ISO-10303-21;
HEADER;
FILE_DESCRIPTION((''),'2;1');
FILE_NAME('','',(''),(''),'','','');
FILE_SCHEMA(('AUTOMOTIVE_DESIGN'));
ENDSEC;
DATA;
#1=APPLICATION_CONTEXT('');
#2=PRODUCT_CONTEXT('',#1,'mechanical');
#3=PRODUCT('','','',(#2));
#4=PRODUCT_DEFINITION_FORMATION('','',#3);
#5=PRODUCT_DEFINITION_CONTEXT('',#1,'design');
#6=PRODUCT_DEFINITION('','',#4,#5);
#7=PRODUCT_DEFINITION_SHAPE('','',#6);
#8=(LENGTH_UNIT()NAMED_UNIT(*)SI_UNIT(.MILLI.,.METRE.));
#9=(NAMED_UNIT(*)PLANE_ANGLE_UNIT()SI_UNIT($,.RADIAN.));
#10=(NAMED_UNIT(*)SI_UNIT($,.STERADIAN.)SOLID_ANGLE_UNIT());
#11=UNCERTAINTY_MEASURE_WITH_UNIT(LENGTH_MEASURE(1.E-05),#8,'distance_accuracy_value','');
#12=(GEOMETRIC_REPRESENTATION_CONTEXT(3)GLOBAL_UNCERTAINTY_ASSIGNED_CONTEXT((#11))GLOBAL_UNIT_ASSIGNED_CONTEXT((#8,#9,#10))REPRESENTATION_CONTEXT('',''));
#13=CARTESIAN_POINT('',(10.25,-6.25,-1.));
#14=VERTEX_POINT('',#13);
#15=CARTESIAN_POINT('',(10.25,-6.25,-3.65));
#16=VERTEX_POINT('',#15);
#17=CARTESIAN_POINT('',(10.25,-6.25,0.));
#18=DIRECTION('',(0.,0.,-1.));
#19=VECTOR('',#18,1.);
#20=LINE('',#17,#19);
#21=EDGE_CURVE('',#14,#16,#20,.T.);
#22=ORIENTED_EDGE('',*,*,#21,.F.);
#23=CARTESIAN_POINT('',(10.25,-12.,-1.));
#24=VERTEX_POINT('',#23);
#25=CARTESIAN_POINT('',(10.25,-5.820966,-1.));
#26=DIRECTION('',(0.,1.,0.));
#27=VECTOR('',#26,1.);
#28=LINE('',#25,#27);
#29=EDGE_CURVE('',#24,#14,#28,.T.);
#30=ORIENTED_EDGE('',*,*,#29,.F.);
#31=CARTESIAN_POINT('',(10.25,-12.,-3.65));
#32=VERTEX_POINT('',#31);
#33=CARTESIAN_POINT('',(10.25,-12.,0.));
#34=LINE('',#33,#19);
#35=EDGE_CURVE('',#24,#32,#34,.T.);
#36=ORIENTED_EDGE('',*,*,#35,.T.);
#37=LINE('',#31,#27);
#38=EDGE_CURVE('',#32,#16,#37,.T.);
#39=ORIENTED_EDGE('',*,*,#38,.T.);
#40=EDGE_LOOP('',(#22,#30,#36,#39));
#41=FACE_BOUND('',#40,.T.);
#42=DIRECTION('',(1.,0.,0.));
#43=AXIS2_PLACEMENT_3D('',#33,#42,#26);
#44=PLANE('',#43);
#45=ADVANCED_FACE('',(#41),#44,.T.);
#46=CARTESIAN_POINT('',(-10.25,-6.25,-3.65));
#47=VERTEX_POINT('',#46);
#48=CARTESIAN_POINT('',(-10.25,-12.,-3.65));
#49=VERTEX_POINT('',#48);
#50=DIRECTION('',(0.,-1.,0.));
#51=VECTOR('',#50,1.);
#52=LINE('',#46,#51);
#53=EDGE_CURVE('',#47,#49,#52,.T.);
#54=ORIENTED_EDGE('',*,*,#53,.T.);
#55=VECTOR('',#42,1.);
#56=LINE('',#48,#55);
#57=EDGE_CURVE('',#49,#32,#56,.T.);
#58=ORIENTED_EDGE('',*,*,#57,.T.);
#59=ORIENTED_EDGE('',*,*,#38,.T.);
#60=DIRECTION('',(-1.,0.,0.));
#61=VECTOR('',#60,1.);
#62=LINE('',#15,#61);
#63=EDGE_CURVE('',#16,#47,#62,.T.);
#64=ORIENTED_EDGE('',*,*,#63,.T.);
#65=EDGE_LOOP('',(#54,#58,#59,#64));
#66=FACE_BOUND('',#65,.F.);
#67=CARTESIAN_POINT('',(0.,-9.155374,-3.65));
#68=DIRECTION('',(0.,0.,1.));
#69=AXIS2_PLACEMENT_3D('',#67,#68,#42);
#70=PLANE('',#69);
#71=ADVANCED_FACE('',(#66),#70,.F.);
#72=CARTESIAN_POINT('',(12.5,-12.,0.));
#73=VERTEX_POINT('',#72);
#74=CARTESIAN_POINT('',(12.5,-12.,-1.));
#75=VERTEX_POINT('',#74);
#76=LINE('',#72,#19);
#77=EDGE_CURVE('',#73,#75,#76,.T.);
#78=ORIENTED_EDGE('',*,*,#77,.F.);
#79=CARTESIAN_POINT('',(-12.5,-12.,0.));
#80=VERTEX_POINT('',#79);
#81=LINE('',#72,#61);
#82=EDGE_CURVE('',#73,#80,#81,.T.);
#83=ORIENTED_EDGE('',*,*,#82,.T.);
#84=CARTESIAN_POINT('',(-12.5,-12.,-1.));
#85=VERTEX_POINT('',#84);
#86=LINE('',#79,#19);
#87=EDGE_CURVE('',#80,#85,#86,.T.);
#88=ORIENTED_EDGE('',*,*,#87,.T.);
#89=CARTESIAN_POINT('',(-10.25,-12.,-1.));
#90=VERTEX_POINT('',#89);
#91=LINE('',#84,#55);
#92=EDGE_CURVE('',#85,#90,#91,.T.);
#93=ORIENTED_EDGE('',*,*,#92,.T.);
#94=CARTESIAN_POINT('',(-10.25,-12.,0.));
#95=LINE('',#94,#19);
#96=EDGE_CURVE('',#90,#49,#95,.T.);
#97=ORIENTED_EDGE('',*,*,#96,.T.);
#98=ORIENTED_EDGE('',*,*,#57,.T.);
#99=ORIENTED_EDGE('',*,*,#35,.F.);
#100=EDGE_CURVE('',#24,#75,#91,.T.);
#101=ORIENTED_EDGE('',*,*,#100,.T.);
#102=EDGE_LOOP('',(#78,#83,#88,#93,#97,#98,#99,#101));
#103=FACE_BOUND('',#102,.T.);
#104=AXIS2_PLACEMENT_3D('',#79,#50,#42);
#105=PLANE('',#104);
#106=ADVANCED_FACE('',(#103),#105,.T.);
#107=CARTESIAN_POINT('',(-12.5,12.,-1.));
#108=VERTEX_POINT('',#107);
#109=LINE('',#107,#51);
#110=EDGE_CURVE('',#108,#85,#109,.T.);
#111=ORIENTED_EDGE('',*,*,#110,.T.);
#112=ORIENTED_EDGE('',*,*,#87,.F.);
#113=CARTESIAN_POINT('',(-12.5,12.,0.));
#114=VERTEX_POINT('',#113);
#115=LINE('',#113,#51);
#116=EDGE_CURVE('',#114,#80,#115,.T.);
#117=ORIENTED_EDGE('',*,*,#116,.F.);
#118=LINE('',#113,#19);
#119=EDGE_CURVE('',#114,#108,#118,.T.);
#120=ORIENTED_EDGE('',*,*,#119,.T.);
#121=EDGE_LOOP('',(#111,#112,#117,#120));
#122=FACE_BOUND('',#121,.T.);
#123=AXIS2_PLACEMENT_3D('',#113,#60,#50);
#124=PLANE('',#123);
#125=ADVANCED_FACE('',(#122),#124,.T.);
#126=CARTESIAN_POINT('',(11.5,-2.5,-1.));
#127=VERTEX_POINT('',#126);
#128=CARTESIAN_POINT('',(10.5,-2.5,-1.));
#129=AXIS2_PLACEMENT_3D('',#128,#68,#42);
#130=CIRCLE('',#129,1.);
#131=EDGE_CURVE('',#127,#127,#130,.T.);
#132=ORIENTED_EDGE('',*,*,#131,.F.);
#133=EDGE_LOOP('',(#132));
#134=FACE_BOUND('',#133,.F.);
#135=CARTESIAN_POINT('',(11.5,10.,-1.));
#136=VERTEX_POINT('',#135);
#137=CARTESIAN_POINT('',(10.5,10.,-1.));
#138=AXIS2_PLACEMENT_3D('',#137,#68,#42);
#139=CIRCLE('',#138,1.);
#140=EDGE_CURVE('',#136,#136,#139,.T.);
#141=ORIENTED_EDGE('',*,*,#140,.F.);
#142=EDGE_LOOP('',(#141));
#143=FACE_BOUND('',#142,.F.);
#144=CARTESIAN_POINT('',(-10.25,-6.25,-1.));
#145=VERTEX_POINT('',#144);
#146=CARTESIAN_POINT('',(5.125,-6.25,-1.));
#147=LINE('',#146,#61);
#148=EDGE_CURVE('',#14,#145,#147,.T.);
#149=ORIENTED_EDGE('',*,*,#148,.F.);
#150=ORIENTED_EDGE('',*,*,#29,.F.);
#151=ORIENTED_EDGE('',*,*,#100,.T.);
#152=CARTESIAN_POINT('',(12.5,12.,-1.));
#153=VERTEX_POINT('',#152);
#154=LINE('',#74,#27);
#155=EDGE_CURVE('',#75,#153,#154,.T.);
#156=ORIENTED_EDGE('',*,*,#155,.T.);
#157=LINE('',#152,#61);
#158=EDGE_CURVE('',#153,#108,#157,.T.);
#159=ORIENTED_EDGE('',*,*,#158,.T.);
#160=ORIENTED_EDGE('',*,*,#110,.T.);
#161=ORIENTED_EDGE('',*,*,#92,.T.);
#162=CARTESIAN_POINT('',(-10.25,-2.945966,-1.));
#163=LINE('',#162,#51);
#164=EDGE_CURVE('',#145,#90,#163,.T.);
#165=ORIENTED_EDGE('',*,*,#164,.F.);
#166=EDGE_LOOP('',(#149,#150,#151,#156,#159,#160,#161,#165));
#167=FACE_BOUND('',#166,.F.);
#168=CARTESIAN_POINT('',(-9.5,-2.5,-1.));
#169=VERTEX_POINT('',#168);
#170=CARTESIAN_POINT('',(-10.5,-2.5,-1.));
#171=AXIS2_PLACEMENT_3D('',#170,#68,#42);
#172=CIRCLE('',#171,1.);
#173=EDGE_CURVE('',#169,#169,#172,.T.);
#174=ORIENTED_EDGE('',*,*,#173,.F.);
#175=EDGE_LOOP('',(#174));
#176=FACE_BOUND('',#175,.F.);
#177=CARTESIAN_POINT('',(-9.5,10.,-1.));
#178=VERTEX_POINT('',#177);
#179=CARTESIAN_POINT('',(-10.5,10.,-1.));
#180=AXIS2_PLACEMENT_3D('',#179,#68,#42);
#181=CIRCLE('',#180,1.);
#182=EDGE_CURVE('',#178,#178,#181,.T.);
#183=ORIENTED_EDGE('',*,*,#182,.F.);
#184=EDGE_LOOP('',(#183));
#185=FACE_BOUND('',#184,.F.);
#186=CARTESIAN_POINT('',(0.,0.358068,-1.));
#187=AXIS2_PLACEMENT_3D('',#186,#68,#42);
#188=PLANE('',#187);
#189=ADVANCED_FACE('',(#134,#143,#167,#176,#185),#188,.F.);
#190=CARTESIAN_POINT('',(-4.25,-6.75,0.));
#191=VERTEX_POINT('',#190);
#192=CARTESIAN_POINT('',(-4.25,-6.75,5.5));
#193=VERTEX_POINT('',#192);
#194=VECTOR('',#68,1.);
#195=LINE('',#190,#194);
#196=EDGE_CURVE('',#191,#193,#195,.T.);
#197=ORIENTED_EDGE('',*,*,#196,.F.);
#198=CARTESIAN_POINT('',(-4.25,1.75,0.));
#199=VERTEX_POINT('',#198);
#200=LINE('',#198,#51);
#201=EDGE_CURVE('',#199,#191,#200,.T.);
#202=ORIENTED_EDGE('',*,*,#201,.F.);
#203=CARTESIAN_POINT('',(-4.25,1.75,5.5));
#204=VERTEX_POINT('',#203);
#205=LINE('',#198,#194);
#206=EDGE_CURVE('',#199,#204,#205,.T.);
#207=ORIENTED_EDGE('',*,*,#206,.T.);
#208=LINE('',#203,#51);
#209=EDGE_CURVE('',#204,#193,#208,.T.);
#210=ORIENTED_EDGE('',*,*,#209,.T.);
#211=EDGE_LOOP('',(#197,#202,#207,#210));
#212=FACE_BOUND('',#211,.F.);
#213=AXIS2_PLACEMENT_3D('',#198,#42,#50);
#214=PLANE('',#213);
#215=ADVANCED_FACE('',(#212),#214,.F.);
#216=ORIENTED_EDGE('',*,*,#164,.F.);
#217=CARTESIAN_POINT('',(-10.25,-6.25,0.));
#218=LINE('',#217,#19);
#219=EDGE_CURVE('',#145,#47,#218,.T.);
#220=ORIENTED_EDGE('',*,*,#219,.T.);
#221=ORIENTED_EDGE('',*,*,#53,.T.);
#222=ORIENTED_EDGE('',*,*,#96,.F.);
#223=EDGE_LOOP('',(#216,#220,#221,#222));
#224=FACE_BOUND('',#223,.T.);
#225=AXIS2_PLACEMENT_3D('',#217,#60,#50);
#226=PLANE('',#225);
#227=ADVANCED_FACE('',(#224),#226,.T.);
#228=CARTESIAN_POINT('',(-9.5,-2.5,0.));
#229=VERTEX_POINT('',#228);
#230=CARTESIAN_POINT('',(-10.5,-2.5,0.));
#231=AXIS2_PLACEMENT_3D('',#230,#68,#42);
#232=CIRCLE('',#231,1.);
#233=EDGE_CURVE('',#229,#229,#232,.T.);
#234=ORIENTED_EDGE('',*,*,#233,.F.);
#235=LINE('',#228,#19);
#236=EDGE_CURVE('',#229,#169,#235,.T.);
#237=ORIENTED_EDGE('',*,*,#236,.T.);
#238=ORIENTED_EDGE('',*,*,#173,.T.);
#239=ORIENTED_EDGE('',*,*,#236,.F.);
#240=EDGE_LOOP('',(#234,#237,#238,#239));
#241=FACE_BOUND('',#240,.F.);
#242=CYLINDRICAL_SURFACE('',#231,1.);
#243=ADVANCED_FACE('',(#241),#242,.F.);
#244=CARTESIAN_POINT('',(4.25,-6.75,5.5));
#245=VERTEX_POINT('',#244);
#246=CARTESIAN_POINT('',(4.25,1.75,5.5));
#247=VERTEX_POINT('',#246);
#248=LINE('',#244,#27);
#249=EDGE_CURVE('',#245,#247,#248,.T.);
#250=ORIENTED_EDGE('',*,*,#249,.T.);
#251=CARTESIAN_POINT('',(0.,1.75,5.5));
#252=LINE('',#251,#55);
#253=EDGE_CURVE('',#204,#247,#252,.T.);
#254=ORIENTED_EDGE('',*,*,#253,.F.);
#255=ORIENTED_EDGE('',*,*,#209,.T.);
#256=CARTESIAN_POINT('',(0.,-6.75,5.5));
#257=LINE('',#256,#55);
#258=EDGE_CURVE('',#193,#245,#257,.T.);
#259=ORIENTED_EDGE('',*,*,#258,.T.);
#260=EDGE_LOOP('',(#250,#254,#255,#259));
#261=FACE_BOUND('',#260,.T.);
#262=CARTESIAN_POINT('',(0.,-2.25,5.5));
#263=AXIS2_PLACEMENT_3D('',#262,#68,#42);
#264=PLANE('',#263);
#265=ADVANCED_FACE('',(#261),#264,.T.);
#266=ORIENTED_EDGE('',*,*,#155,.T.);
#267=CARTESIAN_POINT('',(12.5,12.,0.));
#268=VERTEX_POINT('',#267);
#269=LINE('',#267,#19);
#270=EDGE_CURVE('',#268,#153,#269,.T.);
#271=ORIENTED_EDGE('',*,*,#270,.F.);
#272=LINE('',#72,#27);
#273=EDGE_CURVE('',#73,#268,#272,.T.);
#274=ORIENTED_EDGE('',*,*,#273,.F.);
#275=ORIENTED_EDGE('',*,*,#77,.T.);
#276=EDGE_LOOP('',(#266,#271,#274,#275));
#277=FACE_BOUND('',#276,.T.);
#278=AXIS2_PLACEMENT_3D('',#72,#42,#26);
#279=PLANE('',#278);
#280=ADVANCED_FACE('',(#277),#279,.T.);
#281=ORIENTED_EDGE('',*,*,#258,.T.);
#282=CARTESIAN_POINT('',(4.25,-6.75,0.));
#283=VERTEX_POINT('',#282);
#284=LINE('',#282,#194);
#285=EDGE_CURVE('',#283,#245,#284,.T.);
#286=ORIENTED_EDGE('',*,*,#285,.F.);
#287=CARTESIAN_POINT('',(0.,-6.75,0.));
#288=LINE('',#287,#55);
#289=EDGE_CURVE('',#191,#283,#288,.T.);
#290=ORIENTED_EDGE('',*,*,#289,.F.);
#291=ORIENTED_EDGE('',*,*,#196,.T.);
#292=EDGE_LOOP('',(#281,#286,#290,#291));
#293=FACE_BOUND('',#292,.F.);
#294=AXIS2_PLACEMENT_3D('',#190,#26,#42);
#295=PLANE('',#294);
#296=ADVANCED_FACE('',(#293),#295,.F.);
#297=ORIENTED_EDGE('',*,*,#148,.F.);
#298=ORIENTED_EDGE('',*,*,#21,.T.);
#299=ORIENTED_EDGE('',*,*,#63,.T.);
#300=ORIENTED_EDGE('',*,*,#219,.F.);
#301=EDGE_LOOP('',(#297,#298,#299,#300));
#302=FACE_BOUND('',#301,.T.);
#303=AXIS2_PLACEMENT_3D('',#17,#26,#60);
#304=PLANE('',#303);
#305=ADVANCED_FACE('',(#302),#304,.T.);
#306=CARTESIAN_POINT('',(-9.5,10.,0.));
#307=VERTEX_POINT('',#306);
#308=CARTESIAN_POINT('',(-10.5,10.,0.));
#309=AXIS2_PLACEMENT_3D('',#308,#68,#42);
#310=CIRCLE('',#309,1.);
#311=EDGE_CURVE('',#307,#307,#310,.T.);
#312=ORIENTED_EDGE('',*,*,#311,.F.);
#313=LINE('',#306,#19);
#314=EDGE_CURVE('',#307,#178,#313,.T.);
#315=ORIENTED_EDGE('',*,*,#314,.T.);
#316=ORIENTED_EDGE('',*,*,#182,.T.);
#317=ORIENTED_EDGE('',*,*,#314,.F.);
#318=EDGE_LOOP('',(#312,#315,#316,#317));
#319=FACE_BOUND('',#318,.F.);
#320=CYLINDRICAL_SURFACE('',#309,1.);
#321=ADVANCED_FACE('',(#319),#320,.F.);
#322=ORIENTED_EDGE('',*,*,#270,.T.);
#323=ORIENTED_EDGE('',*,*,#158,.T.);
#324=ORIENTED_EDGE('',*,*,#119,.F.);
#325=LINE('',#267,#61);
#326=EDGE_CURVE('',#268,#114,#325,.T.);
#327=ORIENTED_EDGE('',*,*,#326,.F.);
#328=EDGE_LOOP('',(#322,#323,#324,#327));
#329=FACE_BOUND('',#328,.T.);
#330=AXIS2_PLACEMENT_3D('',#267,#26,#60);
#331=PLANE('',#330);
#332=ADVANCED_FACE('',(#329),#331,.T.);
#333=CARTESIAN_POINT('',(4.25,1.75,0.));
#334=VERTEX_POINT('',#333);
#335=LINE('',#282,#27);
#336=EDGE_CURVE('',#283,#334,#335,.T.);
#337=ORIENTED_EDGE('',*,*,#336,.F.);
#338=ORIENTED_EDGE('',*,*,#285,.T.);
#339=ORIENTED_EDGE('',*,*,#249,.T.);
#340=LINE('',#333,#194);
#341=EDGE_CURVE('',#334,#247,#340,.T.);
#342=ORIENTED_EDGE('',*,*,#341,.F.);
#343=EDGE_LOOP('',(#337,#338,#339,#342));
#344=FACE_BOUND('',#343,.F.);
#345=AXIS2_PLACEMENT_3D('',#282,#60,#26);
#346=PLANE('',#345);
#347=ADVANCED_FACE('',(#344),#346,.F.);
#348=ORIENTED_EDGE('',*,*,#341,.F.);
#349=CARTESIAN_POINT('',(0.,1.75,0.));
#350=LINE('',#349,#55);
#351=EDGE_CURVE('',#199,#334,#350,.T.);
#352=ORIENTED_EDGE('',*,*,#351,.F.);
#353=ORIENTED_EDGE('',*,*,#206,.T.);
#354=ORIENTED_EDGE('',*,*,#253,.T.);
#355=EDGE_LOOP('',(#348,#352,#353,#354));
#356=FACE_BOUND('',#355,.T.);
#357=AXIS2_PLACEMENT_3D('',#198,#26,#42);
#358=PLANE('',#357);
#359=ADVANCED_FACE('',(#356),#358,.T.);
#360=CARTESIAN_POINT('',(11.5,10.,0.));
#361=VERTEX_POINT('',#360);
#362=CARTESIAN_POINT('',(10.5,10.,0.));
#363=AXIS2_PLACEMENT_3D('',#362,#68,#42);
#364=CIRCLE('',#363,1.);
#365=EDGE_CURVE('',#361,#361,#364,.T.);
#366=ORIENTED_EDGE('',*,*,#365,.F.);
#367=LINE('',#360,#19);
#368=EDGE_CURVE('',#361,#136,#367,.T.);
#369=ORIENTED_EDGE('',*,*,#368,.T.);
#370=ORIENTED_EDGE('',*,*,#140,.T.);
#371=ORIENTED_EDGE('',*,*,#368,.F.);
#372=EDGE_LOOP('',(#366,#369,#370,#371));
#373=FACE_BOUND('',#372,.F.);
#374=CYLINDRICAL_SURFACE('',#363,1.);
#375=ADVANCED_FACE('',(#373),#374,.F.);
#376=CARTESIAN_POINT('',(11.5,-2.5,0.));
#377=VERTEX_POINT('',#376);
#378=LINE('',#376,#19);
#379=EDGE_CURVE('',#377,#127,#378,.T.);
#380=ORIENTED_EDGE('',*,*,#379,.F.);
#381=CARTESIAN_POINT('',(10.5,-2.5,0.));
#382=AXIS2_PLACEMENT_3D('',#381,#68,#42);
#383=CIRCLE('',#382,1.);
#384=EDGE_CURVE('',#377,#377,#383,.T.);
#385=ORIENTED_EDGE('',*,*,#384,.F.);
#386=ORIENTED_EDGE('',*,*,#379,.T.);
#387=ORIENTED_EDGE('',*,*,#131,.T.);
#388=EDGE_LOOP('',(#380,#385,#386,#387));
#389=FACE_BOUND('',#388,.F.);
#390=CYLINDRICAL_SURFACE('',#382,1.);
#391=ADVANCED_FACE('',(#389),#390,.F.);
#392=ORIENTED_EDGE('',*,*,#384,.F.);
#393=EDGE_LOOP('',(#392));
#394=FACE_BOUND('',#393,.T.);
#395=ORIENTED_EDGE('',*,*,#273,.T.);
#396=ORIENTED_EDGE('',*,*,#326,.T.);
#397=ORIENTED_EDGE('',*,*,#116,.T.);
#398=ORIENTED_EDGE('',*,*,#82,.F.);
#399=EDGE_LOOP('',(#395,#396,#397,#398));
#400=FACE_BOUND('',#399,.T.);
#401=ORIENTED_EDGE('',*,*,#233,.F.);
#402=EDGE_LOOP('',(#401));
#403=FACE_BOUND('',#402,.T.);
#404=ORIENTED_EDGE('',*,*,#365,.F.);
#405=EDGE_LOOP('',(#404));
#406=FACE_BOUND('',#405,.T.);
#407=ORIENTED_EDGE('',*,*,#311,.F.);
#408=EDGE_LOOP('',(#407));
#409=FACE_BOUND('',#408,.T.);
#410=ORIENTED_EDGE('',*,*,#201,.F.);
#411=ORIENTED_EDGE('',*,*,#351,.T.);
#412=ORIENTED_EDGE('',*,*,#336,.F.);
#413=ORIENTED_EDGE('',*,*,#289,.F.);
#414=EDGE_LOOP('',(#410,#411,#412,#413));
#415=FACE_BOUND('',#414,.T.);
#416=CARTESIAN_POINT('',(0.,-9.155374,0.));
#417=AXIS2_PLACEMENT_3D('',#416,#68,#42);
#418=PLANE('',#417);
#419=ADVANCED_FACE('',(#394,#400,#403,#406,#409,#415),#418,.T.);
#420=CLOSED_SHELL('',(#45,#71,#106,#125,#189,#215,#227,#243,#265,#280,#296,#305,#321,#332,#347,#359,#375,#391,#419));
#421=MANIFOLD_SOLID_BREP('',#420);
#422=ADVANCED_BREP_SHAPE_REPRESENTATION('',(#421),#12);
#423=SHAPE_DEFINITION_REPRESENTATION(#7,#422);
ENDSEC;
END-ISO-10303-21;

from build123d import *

# Parameters (mm, degrees)
F0_R     = 1
F0_W     = 8.5
F0_H     = 8
F0_H_2   = 0.5
F1_DEPTH = 1
F2_DEPTH = 3.65
F3_DEPTH = 5.5


with BuildPart() as f1:
    # F0 (on Top) → F1 (new body)
    with BuildSketch(Plane.XY):
        Polygon((12.5, -12), (12.5, 12), (-12.5, 12), (-12.5, -12), (-10.25, -12), (-10.25, -6.25), (-4.25, -6.25), (-4.25, 1.75), (4.25, 1.75), (4.25, -6.25), (10.25, -6.25), (10.25, -12), align=None)
        with Locations((-10.5, -2.5)):
            Circle(F0_R, mode=Mode.SUBTRACT)
        with Locations((10.5, -2.5)):
            Circle(F0_R, mode=Mode.SUBTRACT)
        with Locations((-10.5, 10)):
            Circle(F0_R, mode=Mode.SUBTRACT)
        with Locations((10.5, 10)):
            Circle(F0_R, mode=Mode.SUBTRACT)
        Polygon((-10.25, -12), (10.25, -12), (10.25, -6.25), (4.25, -6.25), (4.25, -6.75), (-4.25, -6.75), (-4.25, -6.25), (-10.25, -6.25), align=None)
        with Locations((0, -2.25)):
            Rectangle(F0_W, F0_H)
        with Locations((0, -6.5)):
            Rectangle(F0_W, F0_H_2)
    extrude(amount=-F1_DEPTH)

    # F0 (on Top) → F2 (join)
    with BuildSketch(Plane.XY):
        Polygon((-10.25, -12), (10.25, -12), (10.25, -6.25), (4.25, -6.25), (4.25, -6.75), (-4.25, -6.75), (-4.25, -6.25), (-10.25, -6.25), align=None)
        with Locations((0, -6.5)):
            Rectangle(F0_W, F0_H_2)
    extrude(amount=-F2_DEPTH)

    # F0 (on Top) → F3 (join)
    with BuildSketch(Plane.XY):
        with Locations((0, -2.25)):
            Rectangle(F0_W, F0_H)
        with Locations((0, -6.5)):
            Rectangle(F0_W, F0_H_2)
    extrude(amount=F3_DEPTH)


solid = f1.part
